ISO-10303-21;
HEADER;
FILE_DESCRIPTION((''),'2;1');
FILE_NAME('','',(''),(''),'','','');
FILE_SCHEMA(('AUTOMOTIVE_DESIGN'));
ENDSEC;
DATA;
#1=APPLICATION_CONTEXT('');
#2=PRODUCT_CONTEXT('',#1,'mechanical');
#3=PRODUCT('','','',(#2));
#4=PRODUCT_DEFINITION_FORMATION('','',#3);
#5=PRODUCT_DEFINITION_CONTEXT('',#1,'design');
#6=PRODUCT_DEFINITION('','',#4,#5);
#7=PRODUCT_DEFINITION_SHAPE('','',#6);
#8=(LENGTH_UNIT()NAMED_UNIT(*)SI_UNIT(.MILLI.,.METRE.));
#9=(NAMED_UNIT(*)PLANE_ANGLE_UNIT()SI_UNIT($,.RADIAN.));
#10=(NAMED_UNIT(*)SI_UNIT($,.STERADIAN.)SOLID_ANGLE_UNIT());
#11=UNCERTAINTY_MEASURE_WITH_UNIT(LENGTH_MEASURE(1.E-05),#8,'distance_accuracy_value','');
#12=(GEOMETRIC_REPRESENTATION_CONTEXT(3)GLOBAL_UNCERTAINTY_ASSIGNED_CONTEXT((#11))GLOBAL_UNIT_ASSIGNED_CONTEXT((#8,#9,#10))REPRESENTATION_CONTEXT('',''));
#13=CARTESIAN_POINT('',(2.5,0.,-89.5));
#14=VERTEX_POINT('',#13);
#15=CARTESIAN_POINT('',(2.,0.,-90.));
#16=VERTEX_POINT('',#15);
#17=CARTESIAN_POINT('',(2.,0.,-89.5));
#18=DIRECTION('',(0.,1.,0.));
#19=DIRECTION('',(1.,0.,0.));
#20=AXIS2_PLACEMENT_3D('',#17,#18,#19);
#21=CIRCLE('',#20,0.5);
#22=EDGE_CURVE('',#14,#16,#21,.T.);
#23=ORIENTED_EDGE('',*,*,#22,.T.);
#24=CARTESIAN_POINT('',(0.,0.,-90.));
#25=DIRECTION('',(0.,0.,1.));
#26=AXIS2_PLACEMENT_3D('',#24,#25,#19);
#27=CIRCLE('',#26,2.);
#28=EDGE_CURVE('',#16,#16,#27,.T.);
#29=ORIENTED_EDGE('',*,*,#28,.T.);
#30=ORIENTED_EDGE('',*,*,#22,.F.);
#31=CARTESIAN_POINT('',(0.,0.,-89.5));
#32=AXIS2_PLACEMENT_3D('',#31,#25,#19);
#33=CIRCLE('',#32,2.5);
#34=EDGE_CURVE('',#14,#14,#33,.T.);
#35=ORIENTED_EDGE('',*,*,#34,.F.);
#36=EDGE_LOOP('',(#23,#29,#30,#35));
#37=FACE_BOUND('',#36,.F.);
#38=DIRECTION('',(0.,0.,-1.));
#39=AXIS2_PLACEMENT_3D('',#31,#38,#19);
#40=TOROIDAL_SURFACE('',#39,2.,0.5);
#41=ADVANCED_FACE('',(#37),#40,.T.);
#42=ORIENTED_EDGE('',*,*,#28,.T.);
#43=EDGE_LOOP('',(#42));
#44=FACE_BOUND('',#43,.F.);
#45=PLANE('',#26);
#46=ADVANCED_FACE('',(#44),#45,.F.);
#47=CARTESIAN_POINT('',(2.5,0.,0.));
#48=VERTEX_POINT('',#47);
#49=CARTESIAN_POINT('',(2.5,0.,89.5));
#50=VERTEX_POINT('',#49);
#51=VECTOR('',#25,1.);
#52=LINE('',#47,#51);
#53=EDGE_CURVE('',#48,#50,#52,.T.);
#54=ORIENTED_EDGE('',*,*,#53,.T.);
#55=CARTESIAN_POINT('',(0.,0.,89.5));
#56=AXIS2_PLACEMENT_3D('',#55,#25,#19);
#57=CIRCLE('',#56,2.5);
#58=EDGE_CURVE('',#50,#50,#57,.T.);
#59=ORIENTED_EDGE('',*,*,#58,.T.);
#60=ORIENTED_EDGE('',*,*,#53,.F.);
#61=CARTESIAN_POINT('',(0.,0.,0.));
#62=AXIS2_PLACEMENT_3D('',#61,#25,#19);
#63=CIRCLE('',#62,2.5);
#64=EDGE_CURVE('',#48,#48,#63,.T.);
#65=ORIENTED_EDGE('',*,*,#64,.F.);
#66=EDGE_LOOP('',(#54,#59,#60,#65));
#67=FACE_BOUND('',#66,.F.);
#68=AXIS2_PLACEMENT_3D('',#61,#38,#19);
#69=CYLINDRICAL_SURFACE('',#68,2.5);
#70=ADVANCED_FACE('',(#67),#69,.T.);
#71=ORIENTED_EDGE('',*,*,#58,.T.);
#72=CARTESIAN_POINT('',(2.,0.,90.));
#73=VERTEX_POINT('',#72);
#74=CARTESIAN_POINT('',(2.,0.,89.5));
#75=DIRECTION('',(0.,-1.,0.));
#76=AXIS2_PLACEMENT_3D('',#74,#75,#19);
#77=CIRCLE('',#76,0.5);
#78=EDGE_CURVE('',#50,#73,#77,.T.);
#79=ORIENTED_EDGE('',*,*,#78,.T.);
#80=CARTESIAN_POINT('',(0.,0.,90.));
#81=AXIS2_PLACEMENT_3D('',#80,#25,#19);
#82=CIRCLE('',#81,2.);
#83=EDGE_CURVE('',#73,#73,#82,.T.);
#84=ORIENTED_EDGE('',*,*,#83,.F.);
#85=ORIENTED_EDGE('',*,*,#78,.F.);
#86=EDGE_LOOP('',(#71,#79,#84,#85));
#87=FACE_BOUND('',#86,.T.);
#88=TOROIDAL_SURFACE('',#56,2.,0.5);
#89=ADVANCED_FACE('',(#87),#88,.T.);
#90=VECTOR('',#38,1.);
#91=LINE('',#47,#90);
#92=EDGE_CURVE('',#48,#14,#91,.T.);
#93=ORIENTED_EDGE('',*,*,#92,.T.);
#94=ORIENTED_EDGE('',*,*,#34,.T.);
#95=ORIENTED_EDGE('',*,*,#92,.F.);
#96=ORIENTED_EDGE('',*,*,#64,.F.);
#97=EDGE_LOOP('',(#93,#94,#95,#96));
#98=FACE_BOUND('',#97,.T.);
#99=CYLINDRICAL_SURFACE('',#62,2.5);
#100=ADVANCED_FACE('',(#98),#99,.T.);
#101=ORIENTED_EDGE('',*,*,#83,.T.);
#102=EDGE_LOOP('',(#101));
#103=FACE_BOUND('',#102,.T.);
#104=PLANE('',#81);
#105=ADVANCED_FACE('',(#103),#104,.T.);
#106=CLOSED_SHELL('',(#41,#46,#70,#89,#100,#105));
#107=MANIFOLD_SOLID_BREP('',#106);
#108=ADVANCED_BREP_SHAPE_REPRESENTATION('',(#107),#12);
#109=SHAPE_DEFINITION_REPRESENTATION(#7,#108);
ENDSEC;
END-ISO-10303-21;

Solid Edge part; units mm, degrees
sketch "Sketch1" plane through (0, 0, 0) normal (0, 0, 1) x (1, 0, 0)
  circle A0 centre (0, 0) radius 2.5
extrude "Protrusion1" add sketch "Sketch1" along normal mid plane 180
fillet "Round1" radius 0.5 2 edges at (-2.5, 0, -90) (-2.5, 0, 90)
properties material "Grafit"
